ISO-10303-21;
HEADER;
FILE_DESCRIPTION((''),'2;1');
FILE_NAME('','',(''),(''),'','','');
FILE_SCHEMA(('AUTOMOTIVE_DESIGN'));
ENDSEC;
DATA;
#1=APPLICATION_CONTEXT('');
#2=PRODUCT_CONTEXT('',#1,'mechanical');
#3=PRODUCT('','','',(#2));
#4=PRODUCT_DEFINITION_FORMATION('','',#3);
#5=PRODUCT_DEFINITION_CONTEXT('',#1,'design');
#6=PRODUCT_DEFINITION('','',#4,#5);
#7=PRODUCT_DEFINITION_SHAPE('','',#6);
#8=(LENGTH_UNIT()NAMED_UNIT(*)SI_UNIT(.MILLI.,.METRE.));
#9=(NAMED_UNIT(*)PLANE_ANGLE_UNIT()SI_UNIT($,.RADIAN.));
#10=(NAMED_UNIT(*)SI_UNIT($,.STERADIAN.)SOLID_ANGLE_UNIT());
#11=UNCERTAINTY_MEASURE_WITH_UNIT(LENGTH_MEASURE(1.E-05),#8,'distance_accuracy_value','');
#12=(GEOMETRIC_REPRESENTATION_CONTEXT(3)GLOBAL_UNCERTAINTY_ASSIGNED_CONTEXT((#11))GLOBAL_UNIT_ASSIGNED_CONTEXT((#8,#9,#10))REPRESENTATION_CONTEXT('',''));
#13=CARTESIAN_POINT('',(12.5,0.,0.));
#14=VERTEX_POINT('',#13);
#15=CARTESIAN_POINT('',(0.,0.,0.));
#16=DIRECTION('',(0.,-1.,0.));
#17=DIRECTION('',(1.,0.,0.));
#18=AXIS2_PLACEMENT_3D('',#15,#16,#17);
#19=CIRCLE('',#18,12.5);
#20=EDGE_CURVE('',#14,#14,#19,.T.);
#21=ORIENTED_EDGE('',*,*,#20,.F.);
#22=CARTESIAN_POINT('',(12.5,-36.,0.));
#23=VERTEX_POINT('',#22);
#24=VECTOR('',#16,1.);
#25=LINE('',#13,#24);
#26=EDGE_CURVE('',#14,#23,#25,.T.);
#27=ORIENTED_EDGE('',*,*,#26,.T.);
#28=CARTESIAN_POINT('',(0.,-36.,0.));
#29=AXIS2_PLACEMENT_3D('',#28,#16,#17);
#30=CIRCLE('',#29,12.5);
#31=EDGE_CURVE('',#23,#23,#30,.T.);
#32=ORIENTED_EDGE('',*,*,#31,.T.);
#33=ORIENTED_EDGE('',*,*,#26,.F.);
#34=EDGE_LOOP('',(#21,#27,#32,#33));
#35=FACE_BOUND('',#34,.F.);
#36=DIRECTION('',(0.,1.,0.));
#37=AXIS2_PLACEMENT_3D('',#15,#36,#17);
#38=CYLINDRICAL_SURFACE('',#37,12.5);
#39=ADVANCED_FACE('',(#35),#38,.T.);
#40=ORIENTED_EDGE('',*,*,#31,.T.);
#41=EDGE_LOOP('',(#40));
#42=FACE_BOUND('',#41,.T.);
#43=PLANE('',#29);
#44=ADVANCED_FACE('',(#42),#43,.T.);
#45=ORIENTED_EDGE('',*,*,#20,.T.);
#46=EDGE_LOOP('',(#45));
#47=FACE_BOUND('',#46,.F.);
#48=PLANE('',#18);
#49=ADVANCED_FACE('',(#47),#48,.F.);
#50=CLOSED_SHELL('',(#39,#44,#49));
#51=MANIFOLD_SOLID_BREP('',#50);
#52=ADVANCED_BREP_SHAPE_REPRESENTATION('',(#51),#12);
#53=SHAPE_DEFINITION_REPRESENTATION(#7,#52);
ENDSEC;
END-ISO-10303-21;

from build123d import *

# Parameters (mm, degrees)
SKETCH_R  = 12.5
PAD_DEPTH = 36


with BuildPart() as part:
    # Sketch → Pad (new body)
    with BuildSketch(Plane.XZ):
        Circle(SKETCH_R)
    extrude(amount=PAD_DEPTH)


solid = part.part
